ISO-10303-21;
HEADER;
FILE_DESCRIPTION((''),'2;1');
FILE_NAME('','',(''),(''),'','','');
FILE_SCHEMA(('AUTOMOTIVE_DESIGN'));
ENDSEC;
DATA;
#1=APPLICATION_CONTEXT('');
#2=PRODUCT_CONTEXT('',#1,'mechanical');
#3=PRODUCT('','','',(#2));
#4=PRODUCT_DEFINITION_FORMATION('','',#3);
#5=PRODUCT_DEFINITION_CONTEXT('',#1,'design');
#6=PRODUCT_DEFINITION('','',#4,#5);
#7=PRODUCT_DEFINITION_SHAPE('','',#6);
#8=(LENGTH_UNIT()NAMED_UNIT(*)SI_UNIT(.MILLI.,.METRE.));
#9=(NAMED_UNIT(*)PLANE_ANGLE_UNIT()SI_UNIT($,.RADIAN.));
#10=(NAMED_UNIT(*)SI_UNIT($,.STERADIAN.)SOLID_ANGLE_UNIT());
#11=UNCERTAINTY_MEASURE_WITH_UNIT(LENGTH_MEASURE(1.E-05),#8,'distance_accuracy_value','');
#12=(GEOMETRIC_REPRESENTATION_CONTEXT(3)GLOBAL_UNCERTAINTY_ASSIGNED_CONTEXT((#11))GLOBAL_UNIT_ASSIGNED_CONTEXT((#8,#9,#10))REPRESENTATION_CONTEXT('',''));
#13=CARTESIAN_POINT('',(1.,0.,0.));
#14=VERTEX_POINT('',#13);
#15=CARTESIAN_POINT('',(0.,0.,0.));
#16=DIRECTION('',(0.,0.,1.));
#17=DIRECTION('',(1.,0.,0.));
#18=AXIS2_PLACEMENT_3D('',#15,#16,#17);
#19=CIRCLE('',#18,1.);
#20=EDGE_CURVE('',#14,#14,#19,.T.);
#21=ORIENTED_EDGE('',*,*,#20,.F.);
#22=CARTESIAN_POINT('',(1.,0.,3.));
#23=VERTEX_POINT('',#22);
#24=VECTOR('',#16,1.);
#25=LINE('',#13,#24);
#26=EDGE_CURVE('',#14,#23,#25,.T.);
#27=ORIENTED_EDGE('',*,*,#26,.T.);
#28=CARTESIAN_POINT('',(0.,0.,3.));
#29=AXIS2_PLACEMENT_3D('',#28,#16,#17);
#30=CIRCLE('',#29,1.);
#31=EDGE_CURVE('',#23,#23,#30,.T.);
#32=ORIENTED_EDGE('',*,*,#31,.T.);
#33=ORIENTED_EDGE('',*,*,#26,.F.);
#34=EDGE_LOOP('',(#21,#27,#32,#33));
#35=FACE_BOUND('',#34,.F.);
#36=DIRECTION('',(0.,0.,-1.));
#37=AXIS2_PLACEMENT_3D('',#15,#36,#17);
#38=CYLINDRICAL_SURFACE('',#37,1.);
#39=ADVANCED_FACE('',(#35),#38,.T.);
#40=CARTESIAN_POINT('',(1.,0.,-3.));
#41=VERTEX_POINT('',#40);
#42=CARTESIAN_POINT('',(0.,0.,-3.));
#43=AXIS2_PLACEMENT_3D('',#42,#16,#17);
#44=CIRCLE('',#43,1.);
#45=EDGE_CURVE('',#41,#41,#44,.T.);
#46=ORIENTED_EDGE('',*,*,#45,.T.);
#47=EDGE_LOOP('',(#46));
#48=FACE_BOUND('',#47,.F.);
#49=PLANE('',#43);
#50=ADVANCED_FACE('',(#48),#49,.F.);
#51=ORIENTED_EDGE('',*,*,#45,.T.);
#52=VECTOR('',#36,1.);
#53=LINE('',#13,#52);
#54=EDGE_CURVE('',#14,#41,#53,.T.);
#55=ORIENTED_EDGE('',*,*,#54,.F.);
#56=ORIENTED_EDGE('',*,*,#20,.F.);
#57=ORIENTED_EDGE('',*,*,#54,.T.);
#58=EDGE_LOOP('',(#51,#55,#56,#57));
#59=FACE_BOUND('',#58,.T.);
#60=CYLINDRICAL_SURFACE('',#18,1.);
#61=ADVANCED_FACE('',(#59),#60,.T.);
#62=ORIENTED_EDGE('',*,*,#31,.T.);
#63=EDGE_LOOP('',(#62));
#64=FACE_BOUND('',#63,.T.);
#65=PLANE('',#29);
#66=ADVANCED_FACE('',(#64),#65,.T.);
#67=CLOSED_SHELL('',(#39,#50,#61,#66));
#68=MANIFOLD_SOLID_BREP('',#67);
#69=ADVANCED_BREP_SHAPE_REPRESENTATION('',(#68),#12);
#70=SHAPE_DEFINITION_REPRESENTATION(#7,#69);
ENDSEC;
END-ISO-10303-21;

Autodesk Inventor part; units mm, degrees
ref_plane "YZ Plane" through (0, 0, 0) normal (1, 0, 0) x (0, 1, 0)
ref_plane "XZ Plane" through (0, 0, 0) normal (0, 1, 0) x (-1, 0, 0)
ref_plane "XY Plane" through (0, 0, 0) normal (0, 0, 1) x (1, 0, 0)
sketch "Sketch1" plane through (0, 0, 0) normal (0, 0, 1) x (1, 0, 0)
  circle A0 centre (0, 0) radius 1
  dimension "d0" = 2
extrude "Extrusion1" add sketch "Sketch1" along normal mid plane 6
properties part number "Pin_A_2mm_Finger"
